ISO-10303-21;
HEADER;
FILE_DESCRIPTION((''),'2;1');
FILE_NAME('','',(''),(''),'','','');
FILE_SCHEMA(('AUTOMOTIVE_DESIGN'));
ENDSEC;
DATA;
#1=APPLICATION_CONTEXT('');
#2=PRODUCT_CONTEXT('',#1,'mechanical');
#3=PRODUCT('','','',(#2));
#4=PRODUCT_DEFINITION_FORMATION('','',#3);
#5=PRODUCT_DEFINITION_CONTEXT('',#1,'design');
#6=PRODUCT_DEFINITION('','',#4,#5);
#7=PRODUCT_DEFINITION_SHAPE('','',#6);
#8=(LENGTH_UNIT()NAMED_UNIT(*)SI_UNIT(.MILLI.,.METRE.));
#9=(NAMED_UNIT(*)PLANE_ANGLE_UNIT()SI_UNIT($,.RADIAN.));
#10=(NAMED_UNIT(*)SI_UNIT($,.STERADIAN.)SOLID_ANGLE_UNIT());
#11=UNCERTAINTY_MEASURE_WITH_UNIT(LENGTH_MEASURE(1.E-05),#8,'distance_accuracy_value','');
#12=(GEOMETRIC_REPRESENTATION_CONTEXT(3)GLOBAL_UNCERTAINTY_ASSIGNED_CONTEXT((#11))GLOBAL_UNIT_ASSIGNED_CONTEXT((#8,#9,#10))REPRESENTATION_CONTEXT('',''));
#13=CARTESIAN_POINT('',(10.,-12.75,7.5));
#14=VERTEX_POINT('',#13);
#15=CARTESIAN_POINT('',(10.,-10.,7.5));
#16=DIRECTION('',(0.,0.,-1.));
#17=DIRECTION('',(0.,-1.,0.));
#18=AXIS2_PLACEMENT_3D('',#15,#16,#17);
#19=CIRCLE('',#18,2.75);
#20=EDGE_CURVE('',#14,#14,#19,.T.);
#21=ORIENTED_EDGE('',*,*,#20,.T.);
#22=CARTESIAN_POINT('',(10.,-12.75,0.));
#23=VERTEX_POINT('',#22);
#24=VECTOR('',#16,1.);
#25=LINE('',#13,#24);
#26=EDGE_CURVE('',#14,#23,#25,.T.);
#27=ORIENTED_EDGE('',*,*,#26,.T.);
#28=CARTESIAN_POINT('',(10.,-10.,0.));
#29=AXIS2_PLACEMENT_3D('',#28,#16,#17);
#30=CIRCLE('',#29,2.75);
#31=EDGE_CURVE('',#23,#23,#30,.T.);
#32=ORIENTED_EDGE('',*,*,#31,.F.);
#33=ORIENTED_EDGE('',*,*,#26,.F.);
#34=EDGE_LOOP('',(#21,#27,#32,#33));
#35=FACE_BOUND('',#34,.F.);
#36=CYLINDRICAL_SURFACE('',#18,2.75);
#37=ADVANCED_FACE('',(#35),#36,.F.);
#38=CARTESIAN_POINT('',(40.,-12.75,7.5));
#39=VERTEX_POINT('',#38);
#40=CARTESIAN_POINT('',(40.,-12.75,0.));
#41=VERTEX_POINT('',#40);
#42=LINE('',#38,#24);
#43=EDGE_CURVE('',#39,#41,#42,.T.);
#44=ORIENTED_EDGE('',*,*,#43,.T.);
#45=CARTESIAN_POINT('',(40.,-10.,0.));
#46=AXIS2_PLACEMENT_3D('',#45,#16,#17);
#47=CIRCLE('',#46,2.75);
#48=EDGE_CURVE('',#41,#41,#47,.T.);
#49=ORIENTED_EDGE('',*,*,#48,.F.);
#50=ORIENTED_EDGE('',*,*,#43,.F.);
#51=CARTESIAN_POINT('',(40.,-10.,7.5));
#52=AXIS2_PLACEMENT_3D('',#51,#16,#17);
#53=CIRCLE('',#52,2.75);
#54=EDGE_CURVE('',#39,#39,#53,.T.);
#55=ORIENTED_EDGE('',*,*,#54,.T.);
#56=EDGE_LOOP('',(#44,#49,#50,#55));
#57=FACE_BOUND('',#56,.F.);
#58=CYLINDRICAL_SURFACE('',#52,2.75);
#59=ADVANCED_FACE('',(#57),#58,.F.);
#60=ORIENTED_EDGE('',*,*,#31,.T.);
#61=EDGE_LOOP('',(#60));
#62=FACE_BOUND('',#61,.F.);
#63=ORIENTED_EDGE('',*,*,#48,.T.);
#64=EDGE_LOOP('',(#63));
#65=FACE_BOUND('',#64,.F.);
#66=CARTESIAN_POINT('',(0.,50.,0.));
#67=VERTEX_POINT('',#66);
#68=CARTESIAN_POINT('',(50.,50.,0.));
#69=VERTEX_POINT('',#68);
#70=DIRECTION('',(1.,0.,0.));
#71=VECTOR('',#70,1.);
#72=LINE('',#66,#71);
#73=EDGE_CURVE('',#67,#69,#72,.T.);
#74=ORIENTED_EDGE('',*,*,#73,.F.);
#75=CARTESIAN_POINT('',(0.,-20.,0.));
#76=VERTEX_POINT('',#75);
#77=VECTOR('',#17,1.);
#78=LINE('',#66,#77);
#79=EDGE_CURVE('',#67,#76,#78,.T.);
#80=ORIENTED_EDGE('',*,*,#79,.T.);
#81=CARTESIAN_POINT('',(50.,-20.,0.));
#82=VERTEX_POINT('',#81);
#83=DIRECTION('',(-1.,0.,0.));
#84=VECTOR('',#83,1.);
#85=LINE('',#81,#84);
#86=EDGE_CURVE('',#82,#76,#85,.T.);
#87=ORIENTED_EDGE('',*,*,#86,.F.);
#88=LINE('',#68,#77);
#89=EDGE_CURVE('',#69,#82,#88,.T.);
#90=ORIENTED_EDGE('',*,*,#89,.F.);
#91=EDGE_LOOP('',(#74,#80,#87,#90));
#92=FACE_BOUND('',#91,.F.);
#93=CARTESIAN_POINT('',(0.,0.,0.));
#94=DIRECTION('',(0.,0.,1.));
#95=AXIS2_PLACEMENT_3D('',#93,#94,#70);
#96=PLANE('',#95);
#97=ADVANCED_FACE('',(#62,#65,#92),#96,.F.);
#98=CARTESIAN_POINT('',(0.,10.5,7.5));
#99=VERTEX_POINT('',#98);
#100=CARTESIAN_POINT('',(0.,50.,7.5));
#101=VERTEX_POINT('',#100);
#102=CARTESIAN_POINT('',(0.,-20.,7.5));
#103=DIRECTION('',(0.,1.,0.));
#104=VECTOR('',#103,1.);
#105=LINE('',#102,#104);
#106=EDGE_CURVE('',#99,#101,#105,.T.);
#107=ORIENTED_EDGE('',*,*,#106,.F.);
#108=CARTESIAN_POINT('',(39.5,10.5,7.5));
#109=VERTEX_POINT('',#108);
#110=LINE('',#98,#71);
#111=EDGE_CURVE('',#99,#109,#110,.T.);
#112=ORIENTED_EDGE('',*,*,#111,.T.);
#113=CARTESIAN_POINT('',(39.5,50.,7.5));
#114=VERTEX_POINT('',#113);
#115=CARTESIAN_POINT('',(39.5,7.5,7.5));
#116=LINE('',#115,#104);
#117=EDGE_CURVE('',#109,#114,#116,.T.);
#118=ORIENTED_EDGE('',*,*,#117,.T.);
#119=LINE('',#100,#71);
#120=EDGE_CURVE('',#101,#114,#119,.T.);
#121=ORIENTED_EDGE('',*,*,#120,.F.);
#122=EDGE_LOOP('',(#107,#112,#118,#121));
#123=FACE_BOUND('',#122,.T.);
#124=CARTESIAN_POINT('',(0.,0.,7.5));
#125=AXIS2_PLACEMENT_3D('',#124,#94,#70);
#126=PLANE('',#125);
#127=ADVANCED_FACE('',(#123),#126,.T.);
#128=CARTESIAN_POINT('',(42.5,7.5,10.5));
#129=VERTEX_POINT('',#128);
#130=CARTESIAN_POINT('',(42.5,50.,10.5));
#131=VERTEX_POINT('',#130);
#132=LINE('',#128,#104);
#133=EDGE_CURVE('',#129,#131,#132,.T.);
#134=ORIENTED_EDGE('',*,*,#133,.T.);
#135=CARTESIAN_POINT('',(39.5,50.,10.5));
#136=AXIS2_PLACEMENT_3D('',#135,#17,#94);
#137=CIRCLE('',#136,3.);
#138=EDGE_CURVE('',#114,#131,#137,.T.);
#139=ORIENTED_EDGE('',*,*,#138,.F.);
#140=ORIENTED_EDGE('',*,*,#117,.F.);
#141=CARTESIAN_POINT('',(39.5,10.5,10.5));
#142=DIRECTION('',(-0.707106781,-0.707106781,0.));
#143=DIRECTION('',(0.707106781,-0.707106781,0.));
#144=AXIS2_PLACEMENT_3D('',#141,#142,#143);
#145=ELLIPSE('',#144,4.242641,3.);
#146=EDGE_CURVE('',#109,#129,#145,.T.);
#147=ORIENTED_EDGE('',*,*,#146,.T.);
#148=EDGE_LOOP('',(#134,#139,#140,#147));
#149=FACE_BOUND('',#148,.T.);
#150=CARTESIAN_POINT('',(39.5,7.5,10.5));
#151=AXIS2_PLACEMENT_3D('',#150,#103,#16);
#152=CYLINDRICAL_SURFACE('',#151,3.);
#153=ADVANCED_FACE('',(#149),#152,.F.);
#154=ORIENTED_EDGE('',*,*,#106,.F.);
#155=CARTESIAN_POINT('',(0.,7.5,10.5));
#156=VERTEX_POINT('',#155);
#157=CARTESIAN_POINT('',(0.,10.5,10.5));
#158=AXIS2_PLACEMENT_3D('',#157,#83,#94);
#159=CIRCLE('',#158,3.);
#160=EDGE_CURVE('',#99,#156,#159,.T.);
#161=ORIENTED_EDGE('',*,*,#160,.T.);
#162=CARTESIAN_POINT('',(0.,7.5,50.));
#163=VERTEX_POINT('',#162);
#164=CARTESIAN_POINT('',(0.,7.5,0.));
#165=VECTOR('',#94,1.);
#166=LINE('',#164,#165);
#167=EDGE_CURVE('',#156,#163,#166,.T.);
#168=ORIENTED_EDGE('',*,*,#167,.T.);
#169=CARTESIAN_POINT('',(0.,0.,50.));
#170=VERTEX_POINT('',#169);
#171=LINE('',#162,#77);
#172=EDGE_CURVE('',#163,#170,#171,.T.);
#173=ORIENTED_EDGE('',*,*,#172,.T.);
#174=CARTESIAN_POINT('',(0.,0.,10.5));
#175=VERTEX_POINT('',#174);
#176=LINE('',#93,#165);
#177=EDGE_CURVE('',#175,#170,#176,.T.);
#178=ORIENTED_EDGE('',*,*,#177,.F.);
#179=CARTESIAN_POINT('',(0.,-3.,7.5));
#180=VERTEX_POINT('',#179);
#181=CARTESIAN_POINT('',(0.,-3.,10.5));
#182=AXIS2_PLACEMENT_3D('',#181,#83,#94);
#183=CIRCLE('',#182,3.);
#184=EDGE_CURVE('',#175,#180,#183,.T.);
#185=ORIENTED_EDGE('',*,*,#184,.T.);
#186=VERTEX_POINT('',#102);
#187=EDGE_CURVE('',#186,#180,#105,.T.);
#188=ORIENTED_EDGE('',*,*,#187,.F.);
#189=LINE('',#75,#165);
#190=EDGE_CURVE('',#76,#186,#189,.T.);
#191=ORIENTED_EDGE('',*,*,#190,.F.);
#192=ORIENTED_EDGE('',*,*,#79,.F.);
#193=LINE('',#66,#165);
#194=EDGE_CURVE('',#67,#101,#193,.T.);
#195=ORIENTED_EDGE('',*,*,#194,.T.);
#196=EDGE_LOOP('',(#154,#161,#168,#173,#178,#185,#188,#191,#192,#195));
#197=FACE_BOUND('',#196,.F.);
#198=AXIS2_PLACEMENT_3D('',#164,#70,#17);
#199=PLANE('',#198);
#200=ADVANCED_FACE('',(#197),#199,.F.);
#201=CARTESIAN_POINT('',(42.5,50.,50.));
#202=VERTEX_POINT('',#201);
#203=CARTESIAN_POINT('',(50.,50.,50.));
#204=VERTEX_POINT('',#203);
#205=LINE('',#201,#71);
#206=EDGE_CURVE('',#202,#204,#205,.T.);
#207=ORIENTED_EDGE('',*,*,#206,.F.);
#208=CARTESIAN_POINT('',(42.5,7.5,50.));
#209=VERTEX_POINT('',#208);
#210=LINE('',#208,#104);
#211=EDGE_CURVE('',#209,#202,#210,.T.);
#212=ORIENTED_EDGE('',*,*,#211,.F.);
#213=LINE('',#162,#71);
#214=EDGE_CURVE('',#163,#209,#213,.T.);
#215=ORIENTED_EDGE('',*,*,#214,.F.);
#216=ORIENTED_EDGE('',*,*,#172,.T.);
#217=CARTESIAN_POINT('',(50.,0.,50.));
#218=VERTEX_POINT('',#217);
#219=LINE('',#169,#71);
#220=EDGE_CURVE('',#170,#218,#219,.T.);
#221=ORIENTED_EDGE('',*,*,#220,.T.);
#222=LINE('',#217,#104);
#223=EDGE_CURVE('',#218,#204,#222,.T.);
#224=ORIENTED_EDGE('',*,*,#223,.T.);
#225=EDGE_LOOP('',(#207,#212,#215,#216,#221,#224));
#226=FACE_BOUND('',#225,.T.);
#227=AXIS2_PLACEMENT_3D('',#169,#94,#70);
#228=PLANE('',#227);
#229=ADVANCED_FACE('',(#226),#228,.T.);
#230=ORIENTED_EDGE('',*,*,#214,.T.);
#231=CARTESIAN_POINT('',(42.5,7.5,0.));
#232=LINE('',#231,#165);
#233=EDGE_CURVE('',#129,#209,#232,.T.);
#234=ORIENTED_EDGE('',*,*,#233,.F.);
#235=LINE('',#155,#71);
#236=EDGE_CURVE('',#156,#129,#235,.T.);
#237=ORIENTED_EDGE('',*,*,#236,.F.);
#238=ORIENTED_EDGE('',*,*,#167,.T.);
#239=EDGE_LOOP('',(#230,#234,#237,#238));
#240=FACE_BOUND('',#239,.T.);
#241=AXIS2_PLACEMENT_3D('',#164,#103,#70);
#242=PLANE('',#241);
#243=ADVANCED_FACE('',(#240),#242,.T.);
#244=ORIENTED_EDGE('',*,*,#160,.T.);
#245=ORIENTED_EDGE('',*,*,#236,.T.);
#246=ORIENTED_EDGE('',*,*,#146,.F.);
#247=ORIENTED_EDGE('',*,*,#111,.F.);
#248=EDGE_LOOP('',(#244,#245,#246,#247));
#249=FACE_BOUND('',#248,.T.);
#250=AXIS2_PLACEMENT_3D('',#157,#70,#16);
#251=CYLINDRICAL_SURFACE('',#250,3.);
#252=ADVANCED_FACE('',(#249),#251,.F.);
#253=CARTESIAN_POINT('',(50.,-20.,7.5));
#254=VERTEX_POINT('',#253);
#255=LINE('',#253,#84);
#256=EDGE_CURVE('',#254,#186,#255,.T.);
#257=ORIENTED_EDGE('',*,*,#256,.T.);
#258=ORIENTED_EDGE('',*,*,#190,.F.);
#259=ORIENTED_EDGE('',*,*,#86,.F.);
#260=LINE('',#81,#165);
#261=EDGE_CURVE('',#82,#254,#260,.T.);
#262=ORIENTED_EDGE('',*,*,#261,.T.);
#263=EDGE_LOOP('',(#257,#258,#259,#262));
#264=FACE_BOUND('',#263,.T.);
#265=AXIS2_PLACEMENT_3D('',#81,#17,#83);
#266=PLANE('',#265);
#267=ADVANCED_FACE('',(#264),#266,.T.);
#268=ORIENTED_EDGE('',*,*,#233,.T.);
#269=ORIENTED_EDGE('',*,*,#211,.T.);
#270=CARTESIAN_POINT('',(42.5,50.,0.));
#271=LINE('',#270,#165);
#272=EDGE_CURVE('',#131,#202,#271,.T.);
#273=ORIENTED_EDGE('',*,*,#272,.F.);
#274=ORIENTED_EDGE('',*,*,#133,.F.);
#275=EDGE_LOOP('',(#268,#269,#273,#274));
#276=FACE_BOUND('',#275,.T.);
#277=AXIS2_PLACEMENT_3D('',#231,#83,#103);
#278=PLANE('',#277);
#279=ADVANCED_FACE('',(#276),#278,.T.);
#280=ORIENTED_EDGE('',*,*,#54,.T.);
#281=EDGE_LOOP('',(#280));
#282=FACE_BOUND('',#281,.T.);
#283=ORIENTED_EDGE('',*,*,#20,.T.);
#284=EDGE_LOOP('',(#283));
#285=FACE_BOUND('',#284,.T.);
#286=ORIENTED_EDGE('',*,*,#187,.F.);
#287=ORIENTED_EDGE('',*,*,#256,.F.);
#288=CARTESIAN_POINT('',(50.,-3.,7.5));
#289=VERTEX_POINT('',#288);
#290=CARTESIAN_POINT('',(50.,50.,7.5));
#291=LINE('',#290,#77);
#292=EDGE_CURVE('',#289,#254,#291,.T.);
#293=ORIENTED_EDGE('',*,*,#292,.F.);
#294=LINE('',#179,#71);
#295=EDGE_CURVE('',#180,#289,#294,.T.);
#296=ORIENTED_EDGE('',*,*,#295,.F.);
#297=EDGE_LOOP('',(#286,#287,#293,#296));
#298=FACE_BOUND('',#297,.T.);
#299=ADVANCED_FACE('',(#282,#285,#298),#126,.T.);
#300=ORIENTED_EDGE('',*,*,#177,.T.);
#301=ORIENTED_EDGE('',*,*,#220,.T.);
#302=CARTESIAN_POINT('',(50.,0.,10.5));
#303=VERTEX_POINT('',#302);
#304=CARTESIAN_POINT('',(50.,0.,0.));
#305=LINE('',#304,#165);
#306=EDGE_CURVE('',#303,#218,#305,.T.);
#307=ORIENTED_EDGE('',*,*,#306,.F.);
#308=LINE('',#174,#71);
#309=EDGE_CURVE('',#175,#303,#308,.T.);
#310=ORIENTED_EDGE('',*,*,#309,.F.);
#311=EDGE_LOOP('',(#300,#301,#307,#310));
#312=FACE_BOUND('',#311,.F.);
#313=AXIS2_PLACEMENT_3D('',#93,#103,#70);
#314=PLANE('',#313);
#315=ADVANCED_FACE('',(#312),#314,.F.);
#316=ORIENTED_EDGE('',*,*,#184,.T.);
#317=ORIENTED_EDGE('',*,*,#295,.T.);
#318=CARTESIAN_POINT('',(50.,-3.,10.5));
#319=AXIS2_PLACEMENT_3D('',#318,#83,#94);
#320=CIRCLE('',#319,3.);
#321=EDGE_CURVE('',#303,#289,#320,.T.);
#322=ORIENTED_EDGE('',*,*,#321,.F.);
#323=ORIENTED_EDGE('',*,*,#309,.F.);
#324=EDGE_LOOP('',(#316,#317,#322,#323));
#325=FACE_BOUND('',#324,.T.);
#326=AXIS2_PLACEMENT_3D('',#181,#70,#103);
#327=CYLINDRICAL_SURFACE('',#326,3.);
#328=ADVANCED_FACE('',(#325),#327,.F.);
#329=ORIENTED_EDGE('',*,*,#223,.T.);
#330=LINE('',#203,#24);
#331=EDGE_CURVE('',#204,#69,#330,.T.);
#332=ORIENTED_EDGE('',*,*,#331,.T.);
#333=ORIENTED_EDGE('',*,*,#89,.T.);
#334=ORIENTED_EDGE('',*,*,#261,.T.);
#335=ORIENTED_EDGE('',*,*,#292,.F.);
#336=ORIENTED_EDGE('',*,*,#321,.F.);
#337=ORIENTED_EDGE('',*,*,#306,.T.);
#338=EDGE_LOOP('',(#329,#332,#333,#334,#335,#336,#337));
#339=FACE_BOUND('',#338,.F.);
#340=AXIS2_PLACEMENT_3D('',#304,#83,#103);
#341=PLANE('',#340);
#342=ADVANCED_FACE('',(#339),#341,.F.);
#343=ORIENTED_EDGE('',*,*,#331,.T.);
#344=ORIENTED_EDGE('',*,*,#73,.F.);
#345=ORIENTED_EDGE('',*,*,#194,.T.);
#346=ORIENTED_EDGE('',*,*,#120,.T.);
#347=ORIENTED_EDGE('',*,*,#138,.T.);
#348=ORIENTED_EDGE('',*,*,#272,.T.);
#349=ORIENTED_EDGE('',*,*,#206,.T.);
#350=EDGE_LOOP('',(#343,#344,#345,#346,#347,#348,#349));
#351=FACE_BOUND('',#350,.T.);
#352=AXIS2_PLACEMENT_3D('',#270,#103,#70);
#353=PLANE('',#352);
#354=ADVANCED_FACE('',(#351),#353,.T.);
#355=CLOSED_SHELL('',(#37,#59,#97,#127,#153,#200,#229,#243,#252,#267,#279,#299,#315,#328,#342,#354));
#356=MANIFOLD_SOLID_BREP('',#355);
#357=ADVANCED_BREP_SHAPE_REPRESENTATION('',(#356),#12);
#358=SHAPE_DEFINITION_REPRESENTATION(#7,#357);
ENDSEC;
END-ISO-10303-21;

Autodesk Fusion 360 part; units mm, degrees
sketch "Sketch1" plane through (0, 0, 0) normal (0, 0, 1) x (1, 0, 0)
  line L0 (0, 0) -> (50, 0)
  line L1 (50, 0) -> (50, 50)
  line L2 (0, 7.5) -> (42.5, 7.5)
  line L3 (42.5, 7.5) -> (42.5, 50)
  line L4 (0, 7.5) -> (0, 0)
  line L5 (42.5, 50) -> (50, 50)
  dimension "d1" = -7.5
  dimension "d2" = 50
  dimension "d3" = 50
extrude "Extrude1" add sketch "Sketch1" along normal blind 50
sketch "Sketch4" plane through (0, 0, 0) normal (0, 0, 1) x (1, 0, 0)
  line L0 (50, -20) -> (0, -20)
  line L1 (0, -20) -> (0, 50)
  line L2 (0, 50) -> (50, 50)
  line L3 (50, 50) -> (50, -20)
  point P0 (50, 50)
  dimension "d43" = 70
  dimension "d44" = 50
extrude "Extrude4" add sketch "Sketch4" along normal blind 7.5
sketch "Sketch7" plane through (0, 0, 7.5) normal (0, 0, 1) x (-1, 0, 0)
  line L0 (0, 0) -> (0, 20)
  line L1 (-50, 0) -> (0, 0)
  line L2 (0, 20) -> (-50, 20)
  line L3 (-50, 20) -> (-50, 0)
  point P0 (-10, 10)
  point P1 (-40, 10)
  dimension "d35" = 30
hole "Hole1" at (10, -10, 7.5) at (40, -10, 7.5) direction (0, 0, -1) diameter 5.5 depth 10 tip angle 118
fillet "Fillet1" radius 3 1 edges at (25, 0, 7.5)
fillet "Fillet1" radius 3 2 edges at (21.25, 7.5, 7.5) (42.5, 28.75, 7.5)
